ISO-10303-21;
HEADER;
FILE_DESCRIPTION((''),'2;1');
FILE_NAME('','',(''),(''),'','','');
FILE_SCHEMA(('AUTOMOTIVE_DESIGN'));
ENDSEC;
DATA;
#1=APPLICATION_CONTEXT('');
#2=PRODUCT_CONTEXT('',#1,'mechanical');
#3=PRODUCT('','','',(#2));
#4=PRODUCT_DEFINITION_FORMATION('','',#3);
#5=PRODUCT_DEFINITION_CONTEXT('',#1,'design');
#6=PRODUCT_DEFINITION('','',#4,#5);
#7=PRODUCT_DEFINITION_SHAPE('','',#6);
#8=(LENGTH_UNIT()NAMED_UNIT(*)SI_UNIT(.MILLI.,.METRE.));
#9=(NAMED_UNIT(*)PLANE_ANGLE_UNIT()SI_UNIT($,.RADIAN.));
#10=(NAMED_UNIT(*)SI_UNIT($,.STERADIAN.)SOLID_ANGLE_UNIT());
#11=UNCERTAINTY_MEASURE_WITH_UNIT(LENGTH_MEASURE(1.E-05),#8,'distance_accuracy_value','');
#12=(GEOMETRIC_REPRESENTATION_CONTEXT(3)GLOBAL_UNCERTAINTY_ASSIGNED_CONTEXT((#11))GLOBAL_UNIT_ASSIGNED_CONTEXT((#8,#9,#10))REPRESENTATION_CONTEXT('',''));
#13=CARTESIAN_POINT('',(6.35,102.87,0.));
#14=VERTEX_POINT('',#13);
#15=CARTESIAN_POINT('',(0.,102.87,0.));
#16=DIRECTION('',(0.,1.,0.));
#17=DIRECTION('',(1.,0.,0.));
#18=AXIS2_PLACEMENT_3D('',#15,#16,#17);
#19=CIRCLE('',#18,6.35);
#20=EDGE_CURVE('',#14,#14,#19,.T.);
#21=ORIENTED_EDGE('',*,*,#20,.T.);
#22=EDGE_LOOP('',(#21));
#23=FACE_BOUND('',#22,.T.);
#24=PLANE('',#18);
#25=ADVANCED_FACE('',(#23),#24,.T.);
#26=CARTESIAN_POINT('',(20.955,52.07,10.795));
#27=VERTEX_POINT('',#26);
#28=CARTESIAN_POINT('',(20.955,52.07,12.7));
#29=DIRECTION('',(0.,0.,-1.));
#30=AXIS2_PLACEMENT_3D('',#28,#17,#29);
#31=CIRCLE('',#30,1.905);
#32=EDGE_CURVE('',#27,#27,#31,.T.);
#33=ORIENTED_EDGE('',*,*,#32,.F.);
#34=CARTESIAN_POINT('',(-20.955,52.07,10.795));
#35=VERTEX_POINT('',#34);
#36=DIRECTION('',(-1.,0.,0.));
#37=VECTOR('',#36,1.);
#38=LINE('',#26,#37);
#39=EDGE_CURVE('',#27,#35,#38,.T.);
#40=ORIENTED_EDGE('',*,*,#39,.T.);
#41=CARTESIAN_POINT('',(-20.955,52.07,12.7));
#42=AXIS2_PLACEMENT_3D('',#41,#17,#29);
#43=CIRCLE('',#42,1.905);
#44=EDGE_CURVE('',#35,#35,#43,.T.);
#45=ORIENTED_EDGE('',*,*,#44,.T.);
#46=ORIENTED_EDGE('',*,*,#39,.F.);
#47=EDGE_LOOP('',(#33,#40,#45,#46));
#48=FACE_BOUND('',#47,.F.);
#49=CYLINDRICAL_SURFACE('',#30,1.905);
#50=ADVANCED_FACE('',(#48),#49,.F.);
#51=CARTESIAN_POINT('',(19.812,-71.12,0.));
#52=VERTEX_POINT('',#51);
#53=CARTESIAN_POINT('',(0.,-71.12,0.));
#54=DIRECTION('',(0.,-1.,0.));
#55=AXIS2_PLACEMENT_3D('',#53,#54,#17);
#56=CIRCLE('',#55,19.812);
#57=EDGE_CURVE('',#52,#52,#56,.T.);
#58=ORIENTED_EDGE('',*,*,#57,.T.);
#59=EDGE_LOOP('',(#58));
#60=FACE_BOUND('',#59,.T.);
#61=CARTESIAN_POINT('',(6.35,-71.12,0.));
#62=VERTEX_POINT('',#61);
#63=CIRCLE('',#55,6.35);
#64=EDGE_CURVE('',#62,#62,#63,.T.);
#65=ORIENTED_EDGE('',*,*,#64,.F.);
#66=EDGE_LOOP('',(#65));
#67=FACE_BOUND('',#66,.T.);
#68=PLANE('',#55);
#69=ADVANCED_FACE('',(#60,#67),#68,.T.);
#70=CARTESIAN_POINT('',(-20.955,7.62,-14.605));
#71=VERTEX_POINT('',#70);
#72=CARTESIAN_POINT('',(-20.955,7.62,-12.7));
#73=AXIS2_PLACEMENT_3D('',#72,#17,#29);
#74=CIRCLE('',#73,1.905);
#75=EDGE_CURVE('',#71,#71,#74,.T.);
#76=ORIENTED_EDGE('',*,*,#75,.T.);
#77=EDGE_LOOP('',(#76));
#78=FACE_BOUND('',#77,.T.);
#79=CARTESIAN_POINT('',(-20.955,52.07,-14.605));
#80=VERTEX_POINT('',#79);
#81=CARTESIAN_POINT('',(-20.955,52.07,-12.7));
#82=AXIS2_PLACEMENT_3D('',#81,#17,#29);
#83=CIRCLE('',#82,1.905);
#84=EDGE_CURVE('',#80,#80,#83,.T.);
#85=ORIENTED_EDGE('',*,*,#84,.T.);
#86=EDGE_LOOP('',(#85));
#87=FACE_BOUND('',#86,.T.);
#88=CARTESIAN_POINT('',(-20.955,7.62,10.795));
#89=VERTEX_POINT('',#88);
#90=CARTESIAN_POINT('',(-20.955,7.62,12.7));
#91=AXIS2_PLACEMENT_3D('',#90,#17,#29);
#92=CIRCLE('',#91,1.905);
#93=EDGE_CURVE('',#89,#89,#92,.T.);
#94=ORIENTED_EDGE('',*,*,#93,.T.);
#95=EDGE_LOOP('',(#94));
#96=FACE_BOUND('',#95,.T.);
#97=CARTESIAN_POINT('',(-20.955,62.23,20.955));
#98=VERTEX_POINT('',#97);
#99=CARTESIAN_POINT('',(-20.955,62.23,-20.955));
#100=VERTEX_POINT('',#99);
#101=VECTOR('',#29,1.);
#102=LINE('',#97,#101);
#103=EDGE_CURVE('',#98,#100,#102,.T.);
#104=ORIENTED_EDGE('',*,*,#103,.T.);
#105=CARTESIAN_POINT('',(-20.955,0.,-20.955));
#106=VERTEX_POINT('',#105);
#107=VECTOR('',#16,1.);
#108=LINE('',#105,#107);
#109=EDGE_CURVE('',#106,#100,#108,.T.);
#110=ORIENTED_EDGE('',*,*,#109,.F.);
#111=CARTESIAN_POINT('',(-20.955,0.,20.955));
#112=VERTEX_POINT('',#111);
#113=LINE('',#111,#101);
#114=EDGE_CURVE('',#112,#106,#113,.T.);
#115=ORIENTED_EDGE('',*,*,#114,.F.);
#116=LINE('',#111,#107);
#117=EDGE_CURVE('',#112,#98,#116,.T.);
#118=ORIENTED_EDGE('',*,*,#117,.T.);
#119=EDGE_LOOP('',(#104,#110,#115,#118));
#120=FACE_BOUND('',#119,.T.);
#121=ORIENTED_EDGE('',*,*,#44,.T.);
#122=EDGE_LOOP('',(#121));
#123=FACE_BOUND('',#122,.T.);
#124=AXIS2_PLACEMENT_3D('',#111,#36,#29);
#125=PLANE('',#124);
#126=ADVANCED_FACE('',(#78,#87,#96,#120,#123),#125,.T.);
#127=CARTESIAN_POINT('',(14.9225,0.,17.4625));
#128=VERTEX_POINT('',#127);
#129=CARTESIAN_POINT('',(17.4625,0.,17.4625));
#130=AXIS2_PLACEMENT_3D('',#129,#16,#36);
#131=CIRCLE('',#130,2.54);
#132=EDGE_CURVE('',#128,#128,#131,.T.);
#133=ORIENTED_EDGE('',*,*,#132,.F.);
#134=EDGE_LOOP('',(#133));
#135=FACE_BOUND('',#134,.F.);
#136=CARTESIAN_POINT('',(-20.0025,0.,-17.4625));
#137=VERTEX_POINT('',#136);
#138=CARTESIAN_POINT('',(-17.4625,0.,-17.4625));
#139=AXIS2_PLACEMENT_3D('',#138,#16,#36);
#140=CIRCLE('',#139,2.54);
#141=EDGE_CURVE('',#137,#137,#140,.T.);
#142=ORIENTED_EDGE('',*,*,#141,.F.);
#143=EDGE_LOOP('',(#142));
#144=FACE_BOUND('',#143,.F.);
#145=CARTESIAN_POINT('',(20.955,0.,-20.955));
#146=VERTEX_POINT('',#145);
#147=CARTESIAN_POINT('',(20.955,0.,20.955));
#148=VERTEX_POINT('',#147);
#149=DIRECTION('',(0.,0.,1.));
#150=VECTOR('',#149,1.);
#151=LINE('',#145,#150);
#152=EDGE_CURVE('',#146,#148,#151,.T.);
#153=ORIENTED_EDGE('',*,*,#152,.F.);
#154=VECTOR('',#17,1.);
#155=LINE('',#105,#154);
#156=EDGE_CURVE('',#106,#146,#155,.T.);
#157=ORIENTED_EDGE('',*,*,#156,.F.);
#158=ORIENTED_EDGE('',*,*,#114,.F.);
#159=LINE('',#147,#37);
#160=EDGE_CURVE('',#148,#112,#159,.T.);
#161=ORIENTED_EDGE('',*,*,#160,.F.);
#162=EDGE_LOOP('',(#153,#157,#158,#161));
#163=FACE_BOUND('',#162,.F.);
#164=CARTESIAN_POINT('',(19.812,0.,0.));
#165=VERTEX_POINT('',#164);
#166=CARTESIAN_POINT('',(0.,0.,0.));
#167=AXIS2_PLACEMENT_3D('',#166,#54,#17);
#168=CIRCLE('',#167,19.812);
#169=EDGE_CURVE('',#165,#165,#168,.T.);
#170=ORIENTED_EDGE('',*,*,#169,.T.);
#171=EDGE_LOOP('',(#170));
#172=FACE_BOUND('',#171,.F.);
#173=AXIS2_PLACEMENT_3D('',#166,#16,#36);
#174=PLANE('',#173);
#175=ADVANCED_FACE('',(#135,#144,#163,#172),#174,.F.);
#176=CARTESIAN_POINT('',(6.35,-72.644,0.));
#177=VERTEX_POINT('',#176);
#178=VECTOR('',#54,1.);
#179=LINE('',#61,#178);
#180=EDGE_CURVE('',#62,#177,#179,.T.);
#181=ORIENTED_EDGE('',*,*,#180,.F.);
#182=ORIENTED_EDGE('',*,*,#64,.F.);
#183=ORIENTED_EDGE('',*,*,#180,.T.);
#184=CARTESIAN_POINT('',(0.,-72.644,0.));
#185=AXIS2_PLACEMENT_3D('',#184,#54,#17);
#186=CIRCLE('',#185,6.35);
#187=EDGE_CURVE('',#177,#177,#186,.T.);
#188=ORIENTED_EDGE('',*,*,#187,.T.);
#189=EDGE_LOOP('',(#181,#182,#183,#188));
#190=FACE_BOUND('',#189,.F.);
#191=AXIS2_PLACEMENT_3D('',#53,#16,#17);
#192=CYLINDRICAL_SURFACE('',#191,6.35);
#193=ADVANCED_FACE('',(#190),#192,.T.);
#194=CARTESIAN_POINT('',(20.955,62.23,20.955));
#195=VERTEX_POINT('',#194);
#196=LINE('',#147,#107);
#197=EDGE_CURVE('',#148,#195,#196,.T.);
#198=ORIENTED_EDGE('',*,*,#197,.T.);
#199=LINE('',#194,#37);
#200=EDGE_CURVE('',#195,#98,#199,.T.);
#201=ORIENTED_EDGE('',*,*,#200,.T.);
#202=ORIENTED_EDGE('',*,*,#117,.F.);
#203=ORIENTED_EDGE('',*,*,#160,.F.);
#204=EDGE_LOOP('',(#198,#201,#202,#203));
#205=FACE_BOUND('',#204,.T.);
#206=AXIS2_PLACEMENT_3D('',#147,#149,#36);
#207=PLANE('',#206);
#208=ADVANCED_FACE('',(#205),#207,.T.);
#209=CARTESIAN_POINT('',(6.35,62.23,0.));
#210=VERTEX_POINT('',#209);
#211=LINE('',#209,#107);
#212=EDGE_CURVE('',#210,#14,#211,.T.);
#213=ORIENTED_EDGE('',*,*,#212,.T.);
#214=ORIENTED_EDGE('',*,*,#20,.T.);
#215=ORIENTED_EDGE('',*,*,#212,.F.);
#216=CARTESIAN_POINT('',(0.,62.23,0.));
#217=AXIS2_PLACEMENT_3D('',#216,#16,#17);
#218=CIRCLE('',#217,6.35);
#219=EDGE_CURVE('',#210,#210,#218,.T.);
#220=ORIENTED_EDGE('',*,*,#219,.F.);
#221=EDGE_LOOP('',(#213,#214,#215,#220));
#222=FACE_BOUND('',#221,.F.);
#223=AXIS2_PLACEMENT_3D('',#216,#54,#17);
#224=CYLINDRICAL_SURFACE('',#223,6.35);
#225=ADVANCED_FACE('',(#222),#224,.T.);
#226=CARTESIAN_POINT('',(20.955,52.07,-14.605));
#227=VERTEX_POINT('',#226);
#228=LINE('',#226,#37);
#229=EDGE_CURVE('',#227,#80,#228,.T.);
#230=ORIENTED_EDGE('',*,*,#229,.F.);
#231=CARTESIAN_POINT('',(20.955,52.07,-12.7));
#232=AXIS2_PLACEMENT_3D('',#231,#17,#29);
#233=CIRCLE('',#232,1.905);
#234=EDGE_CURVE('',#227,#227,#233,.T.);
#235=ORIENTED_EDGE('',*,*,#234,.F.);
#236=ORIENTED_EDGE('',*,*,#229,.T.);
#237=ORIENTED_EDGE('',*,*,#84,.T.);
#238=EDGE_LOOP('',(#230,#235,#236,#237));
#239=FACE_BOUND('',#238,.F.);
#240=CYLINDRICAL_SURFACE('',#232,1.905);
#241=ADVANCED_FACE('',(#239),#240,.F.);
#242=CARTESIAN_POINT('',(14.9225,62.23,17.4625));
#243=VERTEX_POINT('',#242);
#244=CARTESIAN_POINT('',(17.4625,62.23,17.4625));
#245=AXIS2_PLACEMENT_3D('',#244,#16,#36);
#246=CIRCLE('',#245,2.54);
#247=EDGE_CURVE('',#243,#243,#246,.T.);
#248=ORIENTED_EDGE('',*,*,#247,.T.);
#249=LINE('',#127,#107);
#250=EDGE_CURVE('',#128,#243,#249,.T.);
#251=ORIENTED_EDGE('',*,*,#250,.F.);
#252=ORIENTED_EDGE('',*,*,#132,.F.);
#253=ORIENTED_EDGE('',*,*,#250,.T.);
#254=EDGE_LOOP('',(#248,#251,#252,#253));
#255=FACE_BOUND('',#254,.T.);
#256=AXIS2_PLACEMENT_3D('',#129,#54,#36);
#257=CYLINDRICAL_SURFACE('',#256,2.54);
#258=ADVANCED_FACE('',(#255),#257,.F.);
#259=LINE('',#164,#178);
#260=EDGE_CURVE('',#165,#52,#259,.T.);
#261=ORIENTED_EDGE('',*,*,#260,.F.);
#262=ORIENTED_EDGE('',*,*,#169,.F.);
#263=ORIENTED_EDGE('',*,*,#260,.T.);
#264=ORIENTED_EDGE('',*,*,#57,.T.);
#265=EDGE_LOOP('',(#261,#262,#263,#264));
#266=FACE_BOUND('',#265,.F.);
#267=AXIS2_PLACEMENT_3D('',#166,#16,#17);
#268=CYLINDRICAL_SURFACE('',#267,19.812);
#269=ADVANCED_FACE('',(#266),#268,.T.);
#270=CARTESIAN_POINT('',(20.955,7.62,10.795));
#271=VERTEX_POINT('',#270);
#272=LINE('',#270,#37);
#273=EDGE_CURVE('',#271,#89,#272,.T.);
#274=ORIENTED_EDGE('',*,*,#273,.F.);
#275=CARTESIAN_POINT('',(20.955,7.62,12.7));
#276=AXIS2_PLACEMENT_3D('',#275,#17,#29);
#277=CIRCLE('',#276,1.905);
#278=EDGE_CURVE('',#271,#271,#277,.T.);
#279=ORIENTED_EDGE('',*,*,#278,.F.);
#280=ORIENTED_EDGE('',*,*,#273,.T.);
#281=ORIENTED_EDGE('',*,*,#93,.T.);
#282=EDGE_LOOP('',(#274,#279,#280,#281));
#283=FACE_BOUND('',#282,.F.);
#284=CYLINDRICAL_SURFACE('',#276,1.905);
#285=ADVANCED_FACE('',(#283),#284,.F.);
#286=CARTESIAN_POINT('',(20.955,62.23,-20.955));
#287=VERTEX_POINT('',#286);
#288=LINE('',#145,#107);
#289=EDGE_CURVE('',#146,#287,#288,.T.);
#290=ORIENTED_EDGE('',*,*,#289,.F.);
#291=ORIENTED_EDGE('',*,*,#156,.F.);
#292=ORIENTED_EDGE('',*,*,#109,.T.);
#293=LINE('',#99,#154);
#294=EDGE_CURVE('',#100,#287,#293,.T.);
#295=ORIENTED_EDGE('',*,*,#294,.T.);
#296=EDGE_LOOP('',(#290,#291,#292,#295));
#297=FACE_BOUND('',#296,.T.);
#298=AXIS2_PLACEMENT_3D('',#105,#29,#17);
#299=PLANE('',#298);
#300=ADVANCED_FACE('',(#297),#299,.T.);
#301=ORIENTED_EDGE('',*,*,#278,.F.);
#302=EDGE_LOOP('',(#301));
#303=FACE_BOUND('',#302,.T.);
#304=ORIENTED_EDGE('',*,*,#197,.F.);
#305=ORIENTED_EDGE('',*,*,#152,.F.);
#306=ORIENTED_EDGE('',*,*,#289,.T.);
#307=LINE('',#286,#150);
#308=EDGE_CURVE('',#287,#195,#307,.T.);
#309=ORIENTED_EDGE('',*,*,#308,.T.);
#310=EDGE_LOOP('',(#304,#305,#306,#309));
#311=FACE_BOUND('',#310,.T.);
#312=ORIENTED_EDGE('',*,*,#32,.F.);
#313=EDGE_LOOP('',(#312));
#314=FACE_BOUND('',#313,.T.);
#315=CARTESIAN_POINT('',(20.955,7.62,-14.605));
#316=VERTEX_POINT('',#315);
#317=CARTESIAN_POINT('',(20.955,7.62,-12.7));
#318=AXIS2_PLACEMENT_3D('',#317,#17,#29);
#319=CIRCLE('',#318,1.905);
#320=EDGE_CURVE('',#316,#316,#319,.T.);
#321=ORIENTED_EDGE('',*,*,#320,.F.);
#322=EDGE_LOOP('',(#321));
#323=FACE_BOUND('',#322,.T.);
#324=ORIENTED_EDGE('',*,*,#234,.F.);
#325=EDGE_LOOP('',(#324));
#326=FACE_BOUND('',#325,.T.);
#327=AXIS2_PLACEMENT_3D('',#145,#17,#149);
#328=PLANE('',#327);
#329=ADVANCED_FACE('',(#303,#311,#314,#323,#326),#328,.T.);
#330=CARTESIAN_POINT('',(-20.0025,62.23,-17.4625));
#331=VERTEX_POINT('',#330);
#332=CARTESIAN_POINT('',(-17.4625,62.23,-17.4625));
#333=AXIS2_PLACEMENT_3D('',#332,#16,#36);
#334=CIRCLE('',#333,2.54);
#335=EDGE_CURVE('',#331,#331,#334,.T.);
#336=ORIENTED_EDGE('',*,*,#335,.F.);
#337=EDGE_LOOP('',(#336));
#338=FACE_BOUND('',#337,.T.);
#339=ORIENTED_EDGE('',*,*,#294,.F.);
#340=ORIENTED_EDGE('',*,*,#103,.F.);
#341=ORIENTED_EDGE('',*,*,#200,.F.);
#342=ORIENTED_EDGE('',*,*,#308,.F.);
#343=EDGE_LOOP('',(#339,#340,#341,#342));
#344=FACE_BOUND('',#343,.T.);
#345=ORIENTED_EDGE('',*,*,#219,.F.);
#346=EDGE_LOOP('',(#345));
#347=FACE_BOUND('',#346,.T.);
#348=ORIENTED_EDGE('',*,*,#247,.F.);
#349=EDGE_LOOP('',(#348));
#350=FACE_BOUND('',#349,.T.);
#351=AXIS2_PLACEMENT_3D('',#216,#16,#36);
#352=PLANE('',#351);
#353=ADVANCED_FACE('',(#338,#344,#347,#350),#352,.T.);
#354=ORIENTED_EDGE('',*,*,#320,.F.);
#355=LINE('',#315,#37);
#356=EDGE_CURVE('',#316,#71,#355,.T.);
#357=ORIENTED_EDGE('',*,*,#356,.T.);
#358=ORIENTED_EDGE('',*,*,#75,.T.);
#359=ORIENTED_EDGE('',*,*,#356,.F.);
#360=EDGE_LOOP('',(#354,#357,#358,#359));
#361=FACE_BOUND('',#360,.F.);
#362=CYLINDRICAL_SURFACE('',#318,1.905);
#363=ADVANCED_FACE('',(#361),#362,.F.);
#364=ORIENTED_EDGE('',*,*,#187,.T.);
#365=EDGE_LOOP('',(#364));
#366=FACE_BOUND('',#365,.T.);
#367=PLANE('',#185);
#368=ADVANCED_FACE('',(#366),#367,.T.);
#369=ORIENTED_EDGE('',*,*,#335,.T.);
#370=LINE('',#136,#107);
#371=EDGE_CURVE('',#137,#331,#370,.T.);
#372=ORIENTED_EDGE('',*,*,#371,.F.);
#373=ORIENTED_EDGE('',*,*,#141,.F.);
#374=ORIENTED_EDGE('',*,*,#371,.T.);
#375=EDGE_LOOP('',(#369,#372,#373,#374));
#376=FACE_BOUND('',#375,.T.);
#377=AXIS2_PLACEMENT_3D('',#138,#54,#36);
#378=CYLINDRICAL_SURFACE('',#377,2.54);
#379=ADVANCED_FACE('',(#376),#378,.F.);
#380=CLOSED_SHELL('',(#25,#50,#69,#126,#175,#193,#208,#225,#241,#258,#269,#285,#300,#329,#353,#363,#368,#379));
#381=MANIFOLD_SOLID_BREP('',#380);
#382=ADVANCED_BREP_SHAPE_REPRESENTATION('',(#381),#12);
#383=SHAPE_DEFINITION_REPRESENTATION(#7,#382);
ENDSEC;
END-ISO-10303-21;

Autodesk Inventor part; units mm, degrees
ref_plane "YZ Plane" through (0, 0, 0) normal (1, 0, 0) x (0, 1, 0)
ref_plane "XZ Plane" through (0, 0, 0) normal (0, 1, 0) x (-1, 0, 0)
ref_plane "XY Plane" through (0, 0, 0) normal (0, 0, 1) x (1, 0, 0)
sketch "Sketch1" plane through (0, 0, 0) normal (0, 1, 0) x (-1, 0, 0)
  line L0 (-20.955, 20.955) -> (20.955, 20.955)
  line L1 (20.955, 20.955) -> (20.955, -20.955)
  line L2 (20.955, -20.955) -> (-20.955, -20.955)
  line L3 (-20.955, -20.955) -> (-20.955, 20.955)
  line L4 (-20.955, 20.955) -> (20.955, -20.955) construction
  line L5 (20.955, 20.955) -> (-20.955, -20.955) construction
  circle A0 centre (17.4625, -17.4625) radius 2.54
  circle A1 centre (-17.4625, 17.4625) radius 2.54
  line L6 (17.4625, -17.4625) -> (17.4625, 17.4625) construction
  line L7 (-17.4625, 17.4625) -> (-17.4625, -17.4625) construction
  line L8 (0, 20.955) -> (0, -20.955) construction
  point P0 (0, 0)
  dimension "d0" = 41.91
  dimension "d1" = 34.925
  dimension "d2" = 5.08
extrude "Extrusion1" add sketch "Sketch1" along normal blind 62.23
sketch "Sketch2" plane through (0, 0, 0) normal (0, -1, 0) x (1, 0, 0)
  circle A0 centre (0, 0) radius 19.812
  dimension "d5" = 39.624
extrude "Extrusion2" add sketch "Sketch2" along normal blind 71.12
sketch "Sketch3" plane through (0, -71.12, 0) normal (0, -1, 0) x (1, 0, 0)
  circle A0 centre (0, 0) radius 6.35
  dimension "d8" = 12.7
extrude "Extrusion3" add sketch "Sketch3" along normal blind 1.524
sketch "Sketch4" plane through (0, 62.23, 0) normal (0, 1, 0) x (1, 0, 0)
  circle A0 centre (0, 0) radius 6.35
  dimension "d11" = 12.7
extrude "Extrusion4" add sketch "Sketch4" along normal blind 40.64
sketch "Sketch5" plane through (20.955, 0, 20.955) normal (1, 0, 0) x (0, 0, -1)
  line L0 (8.255, 52.07) -> (33.655, 52.07) construction
  line L1 (33.655, 52.07) -> (33.655, 7.62) construction
  line L2 (33.655, 7.62) -> (8.255, 7.62) construction
  line L3 (8.255, 7.62) -> (8.255, 52.07) construction
  line L4 (20.955, 0) -> (20.955, 7.62) construction
  line L5 (0, 62.23) -> (41.91, 62.23) construction
  circle A0 centre (8.255, 52.07) radius 1.905
  circle A1 centre (33.655, 52.07) radius 1.905
  circle A2 centre (33.655, 7.62) radius 1.905
  circle A3 centre (8.255, 7.62) radius 1.905
  dimension "d14" = 25.4
  dimension "d15" = 44.45
  dimension "d16" = 10.16
  dimension "d17" = 3.81
extrude "Extrusion5" cut sketch "Sketch5" against normal through all
properties part number "micro cim"
